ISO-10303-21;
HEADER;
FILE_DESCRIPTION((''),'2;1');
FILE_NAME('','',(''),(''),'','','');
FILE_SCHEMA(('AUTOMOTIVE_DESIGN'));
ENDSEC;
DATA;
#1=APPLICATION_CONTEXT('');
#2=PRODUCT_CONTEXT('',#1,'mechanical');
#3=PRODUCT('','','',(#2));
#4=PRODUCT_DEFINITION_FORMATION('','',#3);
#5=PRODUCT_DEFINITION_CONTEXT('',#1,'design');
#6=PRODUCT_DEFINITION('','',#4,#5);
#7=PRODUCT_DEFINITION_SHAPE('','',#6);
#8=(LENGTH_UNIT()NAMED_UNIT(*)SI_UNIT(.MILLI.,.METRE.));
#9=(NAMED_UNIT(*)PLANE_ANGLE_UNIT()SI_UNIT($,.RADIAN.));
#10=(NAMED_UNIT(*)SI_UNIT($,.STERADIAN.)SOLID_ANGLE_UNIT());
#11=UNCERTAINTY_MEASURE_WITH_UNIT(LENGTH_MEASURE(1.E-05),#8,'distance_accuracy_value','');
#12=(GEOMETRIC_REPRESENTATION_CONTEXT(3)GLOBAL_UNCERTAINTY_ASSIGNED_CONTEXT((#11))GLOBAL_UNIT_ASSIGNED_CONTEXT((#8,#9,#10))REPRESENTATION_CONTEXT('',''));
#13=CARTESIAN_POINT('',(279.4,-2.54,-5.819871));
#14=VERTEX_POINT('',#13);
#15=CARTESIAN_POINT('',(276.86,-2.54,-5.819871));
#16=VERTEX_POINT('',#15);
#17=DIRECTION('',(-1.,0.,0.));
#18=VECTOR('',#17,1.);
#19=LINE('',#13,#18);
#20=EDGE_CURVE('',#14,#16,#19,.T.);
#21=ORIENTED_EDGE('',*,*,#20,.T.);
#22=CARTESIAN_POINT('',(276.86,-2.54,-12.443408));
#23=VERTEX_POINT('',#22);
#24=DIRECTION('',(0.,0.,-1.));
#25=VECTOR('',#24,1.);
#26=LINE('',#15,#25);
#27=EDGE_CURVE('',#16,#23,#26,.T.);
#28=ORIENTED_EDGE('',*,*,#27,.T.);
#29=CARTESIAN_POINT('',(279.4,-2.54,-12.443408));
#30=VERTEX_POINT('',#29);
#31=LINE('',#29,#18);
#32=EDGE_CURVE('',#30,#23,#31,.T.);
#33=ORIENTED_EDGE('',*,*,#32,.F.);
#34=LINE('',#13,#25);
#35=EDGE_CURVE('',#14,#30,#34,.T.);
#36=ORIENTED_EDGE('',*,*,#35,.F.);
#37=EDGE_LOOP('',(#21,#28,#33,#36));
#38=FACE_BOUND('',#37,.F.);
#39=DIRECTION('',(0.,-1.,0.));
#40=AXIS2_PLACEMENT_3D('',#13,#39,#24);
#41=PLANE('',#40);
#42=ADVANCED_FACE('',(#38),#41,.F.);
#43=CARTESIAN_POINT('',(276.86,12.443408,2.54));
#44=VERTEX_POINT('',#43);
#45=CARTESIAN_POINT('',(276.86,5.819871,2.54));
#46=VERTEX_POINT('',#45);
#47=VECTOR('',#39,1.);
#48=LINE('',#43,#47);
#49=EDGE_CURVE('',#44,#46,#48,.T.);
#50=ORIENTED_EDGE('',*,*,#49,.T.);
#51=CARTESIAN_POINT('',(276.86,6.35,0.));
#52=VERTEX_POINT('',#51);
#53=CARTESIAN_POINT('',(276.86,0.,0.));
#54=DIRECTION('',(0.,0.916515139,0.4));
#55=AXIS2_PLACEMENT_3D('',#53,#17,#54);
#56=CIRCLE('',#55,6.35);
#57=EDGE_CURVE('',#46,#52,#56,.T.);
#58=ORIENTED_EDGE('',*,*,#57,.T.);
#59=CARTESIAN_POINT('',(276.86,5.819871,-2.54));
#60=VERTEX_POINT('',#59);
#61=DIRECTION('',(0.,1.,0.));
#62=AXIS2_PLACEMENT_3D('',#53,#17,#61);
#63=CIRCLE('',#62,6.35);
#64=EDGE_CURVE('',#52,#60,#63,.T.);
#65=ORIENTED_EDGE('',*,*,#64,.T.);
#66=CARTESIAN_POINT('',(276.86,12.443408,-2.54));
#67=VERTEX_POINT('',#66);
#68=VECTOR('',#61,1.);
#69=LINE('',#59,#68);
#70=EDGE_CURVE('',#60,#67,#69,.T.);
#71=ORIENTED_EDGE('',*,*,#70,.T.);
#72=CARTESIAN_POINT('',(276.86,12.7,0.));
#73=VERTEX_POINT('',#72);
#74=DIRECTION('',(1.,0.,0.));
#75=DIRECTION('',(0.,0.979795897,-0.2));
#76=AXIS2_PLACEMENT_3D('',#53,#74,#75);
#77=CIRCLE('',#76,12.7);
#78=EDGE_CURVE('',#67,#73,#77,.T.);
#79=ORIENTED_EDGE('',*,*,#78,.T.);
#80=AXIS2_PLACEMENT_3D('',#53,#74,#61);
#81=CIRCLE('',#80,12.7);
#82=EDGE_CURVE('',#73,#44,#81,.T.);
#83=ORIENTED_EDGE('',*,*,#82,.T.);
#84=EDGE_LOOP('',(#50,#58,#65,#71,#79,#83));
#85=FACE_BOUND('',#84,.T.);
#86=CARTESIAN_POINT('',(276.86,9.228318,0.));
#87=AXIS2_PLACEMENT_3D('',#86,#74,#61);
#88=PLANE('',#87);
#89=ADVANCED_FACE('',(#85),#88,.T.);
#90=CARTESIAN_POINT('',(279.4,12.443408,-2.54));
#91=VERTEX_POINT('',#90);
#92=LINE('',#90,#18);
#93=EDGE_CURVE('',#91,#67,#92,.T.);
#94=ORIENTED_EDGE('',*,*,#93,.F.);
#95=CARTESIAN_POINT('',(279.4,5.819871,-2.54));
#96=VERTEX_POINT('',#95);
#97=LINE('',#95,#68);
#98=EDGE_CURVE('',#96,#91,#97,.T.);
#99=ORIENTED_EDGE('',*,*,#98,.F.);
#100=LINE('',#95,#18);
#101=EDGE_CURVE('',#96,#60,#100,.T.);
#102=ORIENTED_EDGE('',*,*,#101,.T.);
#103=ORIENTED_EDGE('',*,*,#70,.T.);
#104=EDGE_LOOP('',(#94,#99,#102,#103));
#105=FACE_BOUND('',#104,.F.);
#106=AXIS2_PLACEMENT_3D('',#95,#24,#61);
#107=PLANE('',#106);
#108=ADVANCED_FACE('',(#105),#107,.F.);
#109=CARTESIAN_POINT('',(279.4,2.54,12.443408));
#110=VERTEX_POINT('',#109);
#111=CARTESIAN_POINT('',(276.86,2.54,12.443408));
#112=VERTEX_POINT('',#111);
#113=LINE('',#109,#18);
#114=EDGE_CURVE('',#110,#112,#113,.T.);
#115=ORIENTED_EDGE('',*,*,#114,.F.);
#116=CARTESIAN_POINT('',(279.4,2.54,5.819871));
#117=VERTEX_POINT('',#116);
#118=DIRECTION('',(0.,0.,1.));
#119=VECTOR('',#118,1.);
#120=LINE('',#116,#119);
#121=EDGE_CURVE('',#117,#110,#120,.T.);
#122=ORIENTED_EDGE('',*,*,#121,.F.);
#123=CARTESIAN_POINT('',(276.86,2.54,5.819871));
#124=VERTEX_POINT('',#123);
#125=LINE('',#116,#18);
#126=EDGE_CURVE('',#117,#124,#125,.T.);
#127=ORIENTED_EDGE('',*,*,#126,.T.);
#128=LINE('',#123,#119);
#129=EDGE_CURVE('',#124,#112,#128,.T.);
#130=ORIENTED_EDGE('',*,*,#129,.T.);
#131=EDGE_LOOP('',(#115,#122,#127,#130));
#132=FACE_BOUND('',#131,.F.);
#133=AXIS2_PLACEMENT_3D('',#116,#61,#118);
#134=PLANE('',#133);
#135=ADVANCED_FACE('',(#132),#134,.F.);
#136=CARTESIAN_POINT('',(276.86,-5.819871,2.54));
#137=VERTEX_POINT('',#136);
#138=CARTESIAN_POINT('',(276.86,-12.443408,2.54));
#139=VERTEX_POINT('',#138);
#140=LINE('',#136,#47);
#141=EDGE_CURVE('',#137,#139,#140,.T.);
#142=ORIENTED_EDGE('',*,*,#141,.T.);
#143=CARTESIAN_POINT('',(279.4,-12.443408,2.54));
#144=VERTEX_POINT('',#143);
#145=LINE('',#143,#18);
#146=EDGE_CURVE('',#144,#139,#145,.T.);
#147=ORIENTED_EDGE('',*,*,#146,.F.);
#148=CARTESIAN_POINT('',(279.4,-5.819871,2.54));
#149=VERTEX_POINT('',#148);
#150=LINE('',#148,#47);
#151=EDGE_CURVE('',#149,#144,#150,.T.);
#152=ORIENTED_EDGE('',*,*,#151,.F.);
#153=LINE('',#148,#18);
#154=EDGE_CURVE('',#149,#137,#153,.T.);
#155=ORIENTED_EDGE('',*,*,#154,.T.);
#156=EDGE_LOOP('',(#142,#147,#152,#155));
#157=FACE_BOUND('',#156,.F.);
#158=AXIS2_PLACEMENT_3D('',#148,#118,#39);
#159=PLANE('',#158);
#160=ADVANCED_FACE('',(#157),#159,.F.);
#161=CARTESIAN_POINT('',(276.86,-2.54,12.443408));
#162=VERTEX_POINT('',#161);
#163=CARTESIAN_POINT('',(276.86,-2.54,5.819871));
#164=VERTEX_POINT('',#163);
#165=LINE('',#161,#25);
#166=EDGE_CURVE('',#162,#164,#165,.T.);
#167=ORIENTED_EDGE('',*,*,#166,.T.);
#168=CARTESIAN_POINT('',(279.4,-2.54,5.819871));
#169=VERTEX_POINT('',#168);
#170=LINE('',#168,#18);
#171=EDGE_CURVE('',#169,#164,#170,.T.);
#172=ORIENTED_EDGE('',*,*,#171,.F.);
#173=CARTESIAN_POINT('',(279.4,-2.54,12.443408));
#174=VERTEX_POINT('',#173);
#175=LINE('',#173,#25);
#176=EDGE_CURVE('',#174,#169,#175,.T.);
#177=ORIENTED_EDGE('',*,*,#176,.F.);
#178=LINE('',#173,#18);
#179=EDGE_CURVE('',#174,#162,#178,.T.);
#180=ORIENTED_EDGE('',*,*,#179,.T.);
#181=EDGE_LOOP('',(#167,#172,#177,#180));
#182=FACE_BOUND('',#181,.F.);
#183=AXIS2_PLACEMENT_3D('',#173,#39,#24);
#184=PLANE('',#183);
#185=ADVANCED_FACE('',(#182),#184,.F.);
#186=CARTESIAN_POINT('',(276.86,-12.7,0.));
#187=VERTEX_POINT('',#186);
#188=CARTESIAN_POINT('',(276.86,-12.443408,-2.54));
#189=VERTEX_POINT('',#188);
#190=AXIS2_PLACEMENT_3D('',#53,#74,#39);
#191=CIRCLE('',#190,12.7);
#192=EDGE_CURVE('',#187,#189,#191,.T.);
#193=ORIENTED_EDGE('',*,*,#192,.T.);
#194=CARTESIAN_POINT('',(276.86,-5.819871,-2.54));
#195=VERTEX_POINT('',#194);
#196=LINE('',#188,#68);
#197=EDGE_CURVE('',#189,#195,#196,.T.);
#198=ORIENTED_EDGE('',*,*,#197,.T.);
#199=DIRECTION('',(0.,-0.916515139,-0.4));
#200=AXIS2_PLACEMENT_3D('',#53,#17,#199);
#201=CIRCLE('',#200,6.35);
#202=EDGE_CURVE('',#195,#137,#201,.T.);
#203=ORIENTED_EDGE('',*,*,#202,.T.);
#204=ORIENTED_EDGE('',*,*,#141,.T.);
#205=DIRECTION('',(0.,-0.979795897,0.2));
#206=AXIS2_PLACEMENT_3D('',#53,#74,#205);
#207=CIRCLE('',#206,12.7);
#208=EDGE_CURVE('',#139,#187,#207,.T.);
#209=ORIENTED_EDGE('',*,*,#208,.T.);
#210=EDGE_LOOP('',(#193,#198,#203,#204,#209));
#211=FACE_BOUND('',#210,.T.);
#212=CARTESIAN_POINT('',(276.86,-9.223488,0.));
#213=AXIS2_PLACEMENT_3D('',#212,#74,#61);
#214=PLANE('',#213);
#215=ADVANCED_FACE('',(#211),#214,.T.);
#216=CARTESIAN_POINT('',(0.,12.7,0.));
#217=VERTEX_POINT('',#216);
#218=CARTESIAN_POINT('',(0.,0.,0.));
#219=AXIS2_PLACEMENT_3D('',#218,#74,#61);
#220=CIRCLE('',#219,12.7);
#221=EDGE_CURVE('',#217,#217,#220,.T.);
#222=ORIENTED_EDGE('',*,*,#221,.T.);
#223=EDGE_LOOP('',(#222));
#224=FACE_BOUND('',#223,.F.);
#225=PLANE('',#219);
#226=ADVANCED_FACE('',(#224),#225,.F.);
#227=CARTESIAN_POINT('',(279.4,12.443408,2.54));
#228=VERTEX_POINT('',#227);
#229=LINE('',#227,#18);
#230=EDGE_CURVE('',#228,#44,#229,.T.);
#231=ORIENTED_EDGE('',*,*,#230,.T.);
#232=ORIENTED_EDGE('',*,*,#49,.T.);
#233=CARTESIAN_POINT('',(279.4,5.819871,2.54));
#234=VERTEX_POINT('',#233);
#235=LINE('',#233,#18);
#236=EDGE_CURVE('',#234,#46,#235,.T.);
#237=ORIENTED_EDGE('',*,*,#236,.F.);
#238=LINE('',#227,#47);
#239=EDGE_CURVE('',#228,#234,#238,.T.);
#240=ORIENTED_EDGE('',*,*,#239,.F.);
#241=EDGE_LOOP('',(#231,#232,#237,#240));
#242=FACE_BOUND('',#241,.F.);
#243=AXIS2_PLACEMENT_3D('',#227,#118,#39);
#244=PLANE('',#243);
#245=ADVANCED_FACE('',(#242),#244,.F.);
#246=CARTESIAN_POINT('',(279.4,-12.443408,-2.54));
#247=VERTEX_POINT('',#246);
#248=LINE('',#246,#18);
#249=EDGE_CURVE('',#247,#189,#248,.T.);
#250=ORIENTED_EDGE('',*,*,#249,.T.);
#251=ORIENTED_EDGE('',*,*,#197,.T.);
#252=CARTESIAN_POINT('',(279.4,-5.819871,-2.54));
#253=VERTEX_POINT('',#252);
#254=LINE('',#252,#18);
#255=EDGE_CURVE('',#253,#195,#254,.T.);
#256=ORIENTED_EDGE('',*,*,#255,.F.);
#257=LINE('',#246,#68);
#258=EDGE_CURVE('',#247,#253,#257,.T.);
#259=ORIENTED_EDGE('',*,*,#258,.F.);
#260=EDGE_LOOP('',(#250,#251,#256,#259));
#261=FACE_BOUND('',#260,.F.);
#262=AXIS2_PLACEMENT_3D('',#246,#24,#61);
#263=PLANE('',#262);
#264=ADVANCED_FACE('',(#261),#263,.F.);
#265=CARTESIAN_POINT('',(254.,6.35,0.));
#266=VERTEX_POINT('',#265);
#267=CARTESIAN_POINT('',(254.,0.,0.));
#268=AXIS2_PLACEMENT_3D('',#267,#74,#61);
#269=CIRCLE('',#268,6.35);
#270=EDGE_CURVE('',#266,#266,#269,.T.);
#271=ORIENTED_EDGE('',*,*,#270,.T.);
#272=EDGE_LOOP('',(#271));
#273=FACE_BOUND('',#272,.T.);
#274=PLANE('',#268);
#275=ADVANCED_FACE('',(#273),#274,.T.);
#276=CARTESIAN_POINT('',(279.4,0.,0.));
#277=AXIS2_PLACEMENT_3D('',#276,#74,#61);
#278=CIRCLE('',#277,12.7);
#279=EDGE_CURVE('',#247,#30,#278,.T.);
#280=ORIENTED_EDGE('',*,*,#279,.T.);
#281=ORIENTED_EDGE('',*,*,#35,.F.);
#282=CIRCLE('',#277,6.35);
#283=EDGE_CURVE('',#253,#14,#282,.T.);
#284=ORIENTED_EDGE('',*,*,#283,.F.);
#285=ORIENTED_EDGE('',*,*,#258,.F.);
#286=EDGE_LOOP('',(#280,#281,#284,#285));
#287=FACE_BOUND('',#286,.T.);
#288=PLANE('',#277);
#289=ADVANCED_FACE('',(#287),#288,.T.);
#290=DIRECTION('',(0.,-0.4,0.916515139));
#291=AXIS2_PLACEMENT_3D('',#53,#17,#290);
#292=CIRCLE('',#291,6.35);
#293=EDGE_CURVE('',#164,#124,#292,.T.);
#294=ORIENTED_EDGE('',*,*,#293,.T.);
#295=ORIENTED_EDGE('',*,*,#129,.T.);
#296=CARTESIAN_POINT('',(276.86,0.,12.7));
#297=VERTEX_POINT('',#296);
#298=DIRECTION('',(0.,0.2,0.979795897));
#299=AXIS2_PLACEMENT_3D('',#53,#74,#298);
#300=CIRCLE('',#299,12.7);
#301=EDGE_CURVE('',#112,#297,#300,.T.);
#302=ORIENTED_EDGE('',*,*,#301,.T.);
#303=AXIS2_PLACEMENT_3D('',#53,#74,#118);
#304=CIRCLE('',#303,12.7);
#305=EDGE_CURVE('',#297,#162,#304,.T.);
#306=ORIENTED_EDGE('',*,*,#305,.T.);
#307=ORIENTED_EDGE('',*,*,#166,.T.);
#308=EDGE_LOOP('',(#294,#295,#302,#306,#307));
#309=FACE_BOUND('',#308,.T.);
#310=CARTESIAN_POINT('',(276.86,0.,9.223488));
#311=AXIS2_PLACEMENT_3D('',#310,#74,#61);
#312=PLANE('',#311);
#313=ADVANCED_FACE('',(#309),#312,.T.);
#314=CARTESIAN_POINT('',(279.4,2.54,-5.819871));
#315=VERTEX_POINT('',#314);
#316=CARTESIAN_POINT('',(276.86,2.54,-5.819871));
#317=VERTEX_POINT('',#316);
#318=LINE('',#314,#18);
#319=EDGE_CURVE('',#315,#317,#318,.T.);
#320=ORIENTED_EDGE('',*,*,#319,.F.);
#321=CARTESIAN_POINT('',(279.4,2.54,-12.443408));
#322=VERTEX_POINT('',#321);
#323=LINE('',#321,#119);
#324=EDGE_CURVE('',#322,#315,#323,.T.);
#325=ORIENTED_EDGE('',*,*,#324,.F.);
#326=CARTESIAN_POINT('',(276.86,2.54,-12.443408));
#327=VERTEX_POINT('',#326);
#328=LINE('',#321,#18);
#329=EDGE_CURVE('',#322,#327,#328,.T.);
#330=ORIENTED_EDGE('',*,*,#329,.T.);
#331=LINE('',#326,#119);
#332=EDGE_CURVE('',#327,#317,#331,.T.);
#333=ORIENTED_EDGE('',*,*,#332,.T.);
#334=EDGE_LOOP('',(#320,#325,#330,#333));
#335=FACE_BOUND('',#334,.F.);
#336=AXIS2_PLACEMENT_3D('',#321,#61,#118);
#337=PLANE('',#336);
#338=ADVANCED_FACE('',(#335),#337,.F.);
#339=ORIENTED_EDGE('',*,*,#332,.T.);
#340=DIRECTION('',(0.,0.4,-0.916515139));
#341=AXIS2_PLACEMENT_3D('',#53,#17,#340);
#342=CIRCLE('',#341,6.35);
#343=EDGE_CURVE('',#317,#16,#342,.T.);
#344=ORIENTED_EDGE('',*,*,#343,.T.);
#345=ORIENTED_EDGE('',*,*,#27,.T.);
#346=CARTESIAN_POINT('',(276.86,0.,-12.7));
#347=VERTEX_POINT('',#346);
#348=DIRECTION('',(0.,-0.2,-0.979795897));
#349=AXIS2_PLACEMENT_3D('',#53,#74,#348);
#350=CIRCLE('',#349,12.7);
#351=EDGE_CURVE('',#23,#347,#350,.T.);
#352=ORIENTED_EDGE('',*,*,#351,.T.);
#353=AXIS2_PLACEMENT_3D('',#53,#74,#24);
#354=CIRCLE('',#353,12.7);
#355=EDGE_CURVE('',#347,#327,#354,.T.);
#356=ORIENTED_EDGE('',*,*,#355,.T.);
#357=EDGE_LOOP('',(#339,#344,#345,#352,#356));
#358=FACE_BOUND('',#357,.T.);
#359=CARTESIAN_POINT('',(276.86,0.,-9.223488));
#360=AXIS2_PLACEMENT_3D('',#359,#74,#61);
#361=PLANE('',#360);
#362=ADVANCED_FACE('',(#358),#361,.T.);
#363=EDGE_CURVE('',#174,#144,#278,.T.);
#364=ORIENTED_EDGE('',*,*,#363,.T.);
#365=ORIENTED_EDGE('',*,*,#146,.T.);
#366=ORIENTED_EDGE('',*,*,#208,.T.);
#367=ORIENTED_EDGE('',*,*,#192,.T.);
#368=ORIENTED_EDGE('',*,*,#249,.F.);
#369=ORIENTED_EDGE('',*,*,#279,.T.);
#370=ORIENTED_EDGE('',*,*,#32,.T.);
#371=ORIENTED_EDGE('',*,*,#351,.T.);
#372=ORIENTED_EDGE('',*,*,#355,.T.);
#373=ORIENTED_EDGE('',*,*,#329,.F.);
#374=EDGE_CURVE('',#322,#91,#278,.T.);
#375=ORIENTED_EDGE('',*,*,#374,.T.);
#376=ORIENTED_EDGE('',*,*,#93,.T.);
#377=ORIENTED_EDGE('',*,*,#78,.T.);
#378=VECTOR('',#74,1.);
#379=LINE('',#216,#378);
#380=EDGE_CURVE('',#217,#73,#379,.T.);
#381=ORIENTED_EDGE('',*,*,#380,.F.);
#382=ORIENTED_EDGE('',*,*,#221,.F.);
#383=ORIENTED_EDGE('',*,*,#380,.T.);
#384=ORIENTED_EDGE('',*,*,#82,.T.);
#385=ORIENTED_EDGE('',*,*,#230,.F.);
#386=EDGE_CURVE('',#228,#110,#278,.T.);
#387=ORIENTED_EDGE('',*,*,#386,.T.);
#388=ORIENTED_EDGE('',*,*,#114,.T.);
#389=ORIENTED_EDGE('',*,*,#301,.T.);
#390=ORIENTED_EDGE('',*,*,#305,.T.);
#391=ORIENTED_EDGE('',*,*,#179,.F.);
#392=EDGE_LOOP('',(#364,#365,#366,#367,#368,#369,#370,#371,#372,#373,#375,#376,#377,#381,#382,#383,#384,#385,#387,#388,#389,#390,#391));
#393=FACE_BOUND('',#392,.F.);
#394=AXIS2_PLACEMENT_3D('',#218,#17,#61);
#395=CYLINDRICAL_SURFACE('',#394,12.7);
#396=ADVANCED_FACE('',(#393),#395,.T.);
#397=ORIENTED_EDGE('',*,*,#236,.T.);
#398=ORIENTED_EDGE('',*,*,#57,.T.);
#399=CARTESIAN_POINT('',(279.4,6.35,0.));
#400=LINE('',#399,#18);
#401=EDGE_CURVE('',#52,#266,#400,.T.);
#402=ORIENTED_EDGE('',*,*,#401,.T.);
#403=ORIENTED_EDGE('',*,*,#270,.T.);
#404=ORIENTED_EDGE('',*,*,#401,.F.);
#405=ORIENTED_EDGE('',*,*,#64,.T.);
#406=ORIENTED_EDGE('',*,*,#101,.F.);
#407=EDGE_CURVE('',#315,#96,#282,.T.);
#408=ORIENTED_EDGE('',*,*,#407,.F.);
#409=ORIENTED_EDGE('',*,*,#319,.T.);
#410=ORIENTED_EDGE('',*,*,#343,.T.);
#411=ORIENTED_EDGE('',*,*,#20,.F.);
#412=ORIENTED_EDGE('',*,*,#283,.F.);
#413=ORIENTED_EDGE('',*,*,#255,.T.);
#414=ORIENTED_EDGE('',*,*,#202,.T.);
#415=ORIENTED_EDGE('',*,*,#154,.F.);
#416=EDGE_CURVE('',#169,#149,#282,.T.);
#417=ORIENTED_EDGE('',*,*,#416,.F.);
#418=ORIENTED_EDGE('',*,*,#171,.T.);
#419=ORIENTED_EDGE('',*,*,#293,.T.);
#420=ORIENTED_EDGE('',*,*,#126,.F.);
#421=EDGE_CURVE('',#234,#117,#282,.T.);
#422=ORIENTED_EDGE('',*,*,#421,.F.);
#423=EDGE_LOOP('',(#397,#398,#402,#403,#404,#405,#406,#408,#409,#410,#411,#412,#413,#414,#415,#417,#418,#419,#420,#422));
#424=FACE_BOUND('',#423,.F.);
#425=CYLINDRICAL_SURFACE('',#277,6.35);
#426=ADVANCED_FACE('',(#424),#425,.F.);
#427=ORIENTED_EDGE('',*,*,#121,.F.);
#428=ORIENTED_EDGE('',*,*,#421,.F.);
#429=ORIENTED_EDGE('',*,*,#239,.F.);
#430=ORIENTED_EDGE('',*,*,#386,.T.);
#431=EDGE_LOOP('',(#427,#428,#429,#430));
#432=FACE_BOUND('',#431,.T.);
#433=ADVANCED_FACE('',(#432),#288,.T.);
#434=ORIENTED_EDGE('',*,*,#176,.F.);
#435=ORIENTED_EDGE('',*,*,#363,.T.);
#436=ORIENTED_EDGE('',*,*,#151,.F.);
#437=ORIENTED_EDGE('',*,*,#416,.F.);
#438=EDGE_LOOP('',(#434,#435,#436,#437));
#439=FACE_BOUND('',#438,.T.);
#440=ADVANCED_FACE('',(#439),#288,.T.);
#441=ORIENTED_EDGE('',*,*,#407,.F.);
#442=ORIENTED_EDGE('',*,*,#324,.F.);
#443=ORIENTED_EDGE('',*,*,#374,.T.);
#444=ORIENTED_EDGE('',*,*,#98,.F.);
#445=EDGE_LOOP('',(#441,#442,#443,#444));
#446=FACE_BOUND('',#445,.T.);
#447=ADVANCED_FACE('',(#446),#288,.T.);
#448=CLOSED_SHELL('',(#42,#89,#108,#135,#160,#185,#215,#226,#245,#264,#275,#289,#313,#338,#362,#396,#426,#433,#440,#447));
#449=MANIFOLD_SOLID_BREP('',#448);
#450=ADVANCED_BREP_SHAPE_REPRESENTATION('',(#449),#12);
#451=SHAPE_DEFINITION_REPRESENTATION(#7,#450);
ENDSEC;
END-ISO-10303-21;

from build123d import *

# Parameters (mm, degrees)
F0_R     = 12.7
F1_DEPTH = 279.4
F2_R     = 6.35
F3_DEPTH = 25.4
F5_DEPTH = 2.54


with BuildPart() as f1:
    # F0 (on Right) → F1 (new body)
    with BuildSketch(Plane.YZ):
        Circle(F0_R)
    extrude(amount=F1_DEPTH)

    # F2 (on face) → F3 (cut)
    with BuildSketch(Plane.YZ.offset(279.4)):
        Circle(F2_R)
    extrude(amount=-F3_DEPTH, mode=Mode.SUBTRACT)

    # F4 (on face) → F5 (cut)
    with BuildSketch(Plane.YZ.offset(279.4)):
        with BuildLine():
            Line((-5.8198711326, 2.54), (-12.4434078933, 2.54))
            ThreePointArc((-12.4434078933, 2.54), (-12.6356891432, 1.2764638175), (-12.7, 0))
            ThreePointArc((-12.7, 0), (-12.6356891432, -1.2764638175), (-12.4434078933, -2.54))
            Line((-12.4434078933, -2.54), (-5.8198711326, -2.54))
            ThreePointArc((-5.8198711326, -2.54), (-6.35, 0), (-5.8198711326, 2.54))
        make_face()
        with BuildLine():
            Line((12.4434078933, 2.54), (5.8198711326, 2.54))
            ThreePointArc((5.8198711326, 2.54), (6.2160550871, 1.2973662374), (6.35, 0))
            ThreePointArc((6.35, 0), (6.2160550871, -1.2973662374), (5.8198711326, -2.54))
            Line((5.8198711326, -2.54), (12.4434078933, -2.54))
            ThreePointArc((12.4434078933, -2.54), (12.6356891432, -1.2764638175), (12.7, 0))
            ThreePointArc((12.7, 0), (12.6356891432, 1.2764638175), (12.4434078933, 2.54))
        make_face()
        with BuildLine():
            ThreePointArc((0, 12.7), (-1.2764638175, 12.6356891432), (-2.54, 12.4434078933))
            Line((-2.54, 12.4434078933), (-2.54, 5.8198711326))
            ThreePointArc((-2.54, 5.8198711326), (0, 6.35), (2.54, 5.8198711326))
            Line((2.54, 5.8198711326), (2.54, 12.4434078933))
            ThreePointArc((2.54, 12.4434078933), (1.2764638175, 12.6356891432), (0, 12.7))
        make_face()
        with BuildLine():
            Line((-2.54, -5.8198711326), (-2.54, -12.4434078933))
            ThreePointArc((-2.54, -12.4434078933), (-1.2764638175, -12.6356891432), (0, -12.7))
            ThreePointArc((0, -12.7), (1.2764638175, -12.6356891432), (2.54, -12.4434078933))
            Line((2.54, -12.4434078933), (2.54, -5.8198711326))
            ThreePointArc((2.54, -5.8198711326), (0, -6.35), (-2.54, -5.8198711326))
        make_face()
    extrude(amount=-F5_DEPTH, mode=Mode.SUBTRACT)


solid = f1.part
